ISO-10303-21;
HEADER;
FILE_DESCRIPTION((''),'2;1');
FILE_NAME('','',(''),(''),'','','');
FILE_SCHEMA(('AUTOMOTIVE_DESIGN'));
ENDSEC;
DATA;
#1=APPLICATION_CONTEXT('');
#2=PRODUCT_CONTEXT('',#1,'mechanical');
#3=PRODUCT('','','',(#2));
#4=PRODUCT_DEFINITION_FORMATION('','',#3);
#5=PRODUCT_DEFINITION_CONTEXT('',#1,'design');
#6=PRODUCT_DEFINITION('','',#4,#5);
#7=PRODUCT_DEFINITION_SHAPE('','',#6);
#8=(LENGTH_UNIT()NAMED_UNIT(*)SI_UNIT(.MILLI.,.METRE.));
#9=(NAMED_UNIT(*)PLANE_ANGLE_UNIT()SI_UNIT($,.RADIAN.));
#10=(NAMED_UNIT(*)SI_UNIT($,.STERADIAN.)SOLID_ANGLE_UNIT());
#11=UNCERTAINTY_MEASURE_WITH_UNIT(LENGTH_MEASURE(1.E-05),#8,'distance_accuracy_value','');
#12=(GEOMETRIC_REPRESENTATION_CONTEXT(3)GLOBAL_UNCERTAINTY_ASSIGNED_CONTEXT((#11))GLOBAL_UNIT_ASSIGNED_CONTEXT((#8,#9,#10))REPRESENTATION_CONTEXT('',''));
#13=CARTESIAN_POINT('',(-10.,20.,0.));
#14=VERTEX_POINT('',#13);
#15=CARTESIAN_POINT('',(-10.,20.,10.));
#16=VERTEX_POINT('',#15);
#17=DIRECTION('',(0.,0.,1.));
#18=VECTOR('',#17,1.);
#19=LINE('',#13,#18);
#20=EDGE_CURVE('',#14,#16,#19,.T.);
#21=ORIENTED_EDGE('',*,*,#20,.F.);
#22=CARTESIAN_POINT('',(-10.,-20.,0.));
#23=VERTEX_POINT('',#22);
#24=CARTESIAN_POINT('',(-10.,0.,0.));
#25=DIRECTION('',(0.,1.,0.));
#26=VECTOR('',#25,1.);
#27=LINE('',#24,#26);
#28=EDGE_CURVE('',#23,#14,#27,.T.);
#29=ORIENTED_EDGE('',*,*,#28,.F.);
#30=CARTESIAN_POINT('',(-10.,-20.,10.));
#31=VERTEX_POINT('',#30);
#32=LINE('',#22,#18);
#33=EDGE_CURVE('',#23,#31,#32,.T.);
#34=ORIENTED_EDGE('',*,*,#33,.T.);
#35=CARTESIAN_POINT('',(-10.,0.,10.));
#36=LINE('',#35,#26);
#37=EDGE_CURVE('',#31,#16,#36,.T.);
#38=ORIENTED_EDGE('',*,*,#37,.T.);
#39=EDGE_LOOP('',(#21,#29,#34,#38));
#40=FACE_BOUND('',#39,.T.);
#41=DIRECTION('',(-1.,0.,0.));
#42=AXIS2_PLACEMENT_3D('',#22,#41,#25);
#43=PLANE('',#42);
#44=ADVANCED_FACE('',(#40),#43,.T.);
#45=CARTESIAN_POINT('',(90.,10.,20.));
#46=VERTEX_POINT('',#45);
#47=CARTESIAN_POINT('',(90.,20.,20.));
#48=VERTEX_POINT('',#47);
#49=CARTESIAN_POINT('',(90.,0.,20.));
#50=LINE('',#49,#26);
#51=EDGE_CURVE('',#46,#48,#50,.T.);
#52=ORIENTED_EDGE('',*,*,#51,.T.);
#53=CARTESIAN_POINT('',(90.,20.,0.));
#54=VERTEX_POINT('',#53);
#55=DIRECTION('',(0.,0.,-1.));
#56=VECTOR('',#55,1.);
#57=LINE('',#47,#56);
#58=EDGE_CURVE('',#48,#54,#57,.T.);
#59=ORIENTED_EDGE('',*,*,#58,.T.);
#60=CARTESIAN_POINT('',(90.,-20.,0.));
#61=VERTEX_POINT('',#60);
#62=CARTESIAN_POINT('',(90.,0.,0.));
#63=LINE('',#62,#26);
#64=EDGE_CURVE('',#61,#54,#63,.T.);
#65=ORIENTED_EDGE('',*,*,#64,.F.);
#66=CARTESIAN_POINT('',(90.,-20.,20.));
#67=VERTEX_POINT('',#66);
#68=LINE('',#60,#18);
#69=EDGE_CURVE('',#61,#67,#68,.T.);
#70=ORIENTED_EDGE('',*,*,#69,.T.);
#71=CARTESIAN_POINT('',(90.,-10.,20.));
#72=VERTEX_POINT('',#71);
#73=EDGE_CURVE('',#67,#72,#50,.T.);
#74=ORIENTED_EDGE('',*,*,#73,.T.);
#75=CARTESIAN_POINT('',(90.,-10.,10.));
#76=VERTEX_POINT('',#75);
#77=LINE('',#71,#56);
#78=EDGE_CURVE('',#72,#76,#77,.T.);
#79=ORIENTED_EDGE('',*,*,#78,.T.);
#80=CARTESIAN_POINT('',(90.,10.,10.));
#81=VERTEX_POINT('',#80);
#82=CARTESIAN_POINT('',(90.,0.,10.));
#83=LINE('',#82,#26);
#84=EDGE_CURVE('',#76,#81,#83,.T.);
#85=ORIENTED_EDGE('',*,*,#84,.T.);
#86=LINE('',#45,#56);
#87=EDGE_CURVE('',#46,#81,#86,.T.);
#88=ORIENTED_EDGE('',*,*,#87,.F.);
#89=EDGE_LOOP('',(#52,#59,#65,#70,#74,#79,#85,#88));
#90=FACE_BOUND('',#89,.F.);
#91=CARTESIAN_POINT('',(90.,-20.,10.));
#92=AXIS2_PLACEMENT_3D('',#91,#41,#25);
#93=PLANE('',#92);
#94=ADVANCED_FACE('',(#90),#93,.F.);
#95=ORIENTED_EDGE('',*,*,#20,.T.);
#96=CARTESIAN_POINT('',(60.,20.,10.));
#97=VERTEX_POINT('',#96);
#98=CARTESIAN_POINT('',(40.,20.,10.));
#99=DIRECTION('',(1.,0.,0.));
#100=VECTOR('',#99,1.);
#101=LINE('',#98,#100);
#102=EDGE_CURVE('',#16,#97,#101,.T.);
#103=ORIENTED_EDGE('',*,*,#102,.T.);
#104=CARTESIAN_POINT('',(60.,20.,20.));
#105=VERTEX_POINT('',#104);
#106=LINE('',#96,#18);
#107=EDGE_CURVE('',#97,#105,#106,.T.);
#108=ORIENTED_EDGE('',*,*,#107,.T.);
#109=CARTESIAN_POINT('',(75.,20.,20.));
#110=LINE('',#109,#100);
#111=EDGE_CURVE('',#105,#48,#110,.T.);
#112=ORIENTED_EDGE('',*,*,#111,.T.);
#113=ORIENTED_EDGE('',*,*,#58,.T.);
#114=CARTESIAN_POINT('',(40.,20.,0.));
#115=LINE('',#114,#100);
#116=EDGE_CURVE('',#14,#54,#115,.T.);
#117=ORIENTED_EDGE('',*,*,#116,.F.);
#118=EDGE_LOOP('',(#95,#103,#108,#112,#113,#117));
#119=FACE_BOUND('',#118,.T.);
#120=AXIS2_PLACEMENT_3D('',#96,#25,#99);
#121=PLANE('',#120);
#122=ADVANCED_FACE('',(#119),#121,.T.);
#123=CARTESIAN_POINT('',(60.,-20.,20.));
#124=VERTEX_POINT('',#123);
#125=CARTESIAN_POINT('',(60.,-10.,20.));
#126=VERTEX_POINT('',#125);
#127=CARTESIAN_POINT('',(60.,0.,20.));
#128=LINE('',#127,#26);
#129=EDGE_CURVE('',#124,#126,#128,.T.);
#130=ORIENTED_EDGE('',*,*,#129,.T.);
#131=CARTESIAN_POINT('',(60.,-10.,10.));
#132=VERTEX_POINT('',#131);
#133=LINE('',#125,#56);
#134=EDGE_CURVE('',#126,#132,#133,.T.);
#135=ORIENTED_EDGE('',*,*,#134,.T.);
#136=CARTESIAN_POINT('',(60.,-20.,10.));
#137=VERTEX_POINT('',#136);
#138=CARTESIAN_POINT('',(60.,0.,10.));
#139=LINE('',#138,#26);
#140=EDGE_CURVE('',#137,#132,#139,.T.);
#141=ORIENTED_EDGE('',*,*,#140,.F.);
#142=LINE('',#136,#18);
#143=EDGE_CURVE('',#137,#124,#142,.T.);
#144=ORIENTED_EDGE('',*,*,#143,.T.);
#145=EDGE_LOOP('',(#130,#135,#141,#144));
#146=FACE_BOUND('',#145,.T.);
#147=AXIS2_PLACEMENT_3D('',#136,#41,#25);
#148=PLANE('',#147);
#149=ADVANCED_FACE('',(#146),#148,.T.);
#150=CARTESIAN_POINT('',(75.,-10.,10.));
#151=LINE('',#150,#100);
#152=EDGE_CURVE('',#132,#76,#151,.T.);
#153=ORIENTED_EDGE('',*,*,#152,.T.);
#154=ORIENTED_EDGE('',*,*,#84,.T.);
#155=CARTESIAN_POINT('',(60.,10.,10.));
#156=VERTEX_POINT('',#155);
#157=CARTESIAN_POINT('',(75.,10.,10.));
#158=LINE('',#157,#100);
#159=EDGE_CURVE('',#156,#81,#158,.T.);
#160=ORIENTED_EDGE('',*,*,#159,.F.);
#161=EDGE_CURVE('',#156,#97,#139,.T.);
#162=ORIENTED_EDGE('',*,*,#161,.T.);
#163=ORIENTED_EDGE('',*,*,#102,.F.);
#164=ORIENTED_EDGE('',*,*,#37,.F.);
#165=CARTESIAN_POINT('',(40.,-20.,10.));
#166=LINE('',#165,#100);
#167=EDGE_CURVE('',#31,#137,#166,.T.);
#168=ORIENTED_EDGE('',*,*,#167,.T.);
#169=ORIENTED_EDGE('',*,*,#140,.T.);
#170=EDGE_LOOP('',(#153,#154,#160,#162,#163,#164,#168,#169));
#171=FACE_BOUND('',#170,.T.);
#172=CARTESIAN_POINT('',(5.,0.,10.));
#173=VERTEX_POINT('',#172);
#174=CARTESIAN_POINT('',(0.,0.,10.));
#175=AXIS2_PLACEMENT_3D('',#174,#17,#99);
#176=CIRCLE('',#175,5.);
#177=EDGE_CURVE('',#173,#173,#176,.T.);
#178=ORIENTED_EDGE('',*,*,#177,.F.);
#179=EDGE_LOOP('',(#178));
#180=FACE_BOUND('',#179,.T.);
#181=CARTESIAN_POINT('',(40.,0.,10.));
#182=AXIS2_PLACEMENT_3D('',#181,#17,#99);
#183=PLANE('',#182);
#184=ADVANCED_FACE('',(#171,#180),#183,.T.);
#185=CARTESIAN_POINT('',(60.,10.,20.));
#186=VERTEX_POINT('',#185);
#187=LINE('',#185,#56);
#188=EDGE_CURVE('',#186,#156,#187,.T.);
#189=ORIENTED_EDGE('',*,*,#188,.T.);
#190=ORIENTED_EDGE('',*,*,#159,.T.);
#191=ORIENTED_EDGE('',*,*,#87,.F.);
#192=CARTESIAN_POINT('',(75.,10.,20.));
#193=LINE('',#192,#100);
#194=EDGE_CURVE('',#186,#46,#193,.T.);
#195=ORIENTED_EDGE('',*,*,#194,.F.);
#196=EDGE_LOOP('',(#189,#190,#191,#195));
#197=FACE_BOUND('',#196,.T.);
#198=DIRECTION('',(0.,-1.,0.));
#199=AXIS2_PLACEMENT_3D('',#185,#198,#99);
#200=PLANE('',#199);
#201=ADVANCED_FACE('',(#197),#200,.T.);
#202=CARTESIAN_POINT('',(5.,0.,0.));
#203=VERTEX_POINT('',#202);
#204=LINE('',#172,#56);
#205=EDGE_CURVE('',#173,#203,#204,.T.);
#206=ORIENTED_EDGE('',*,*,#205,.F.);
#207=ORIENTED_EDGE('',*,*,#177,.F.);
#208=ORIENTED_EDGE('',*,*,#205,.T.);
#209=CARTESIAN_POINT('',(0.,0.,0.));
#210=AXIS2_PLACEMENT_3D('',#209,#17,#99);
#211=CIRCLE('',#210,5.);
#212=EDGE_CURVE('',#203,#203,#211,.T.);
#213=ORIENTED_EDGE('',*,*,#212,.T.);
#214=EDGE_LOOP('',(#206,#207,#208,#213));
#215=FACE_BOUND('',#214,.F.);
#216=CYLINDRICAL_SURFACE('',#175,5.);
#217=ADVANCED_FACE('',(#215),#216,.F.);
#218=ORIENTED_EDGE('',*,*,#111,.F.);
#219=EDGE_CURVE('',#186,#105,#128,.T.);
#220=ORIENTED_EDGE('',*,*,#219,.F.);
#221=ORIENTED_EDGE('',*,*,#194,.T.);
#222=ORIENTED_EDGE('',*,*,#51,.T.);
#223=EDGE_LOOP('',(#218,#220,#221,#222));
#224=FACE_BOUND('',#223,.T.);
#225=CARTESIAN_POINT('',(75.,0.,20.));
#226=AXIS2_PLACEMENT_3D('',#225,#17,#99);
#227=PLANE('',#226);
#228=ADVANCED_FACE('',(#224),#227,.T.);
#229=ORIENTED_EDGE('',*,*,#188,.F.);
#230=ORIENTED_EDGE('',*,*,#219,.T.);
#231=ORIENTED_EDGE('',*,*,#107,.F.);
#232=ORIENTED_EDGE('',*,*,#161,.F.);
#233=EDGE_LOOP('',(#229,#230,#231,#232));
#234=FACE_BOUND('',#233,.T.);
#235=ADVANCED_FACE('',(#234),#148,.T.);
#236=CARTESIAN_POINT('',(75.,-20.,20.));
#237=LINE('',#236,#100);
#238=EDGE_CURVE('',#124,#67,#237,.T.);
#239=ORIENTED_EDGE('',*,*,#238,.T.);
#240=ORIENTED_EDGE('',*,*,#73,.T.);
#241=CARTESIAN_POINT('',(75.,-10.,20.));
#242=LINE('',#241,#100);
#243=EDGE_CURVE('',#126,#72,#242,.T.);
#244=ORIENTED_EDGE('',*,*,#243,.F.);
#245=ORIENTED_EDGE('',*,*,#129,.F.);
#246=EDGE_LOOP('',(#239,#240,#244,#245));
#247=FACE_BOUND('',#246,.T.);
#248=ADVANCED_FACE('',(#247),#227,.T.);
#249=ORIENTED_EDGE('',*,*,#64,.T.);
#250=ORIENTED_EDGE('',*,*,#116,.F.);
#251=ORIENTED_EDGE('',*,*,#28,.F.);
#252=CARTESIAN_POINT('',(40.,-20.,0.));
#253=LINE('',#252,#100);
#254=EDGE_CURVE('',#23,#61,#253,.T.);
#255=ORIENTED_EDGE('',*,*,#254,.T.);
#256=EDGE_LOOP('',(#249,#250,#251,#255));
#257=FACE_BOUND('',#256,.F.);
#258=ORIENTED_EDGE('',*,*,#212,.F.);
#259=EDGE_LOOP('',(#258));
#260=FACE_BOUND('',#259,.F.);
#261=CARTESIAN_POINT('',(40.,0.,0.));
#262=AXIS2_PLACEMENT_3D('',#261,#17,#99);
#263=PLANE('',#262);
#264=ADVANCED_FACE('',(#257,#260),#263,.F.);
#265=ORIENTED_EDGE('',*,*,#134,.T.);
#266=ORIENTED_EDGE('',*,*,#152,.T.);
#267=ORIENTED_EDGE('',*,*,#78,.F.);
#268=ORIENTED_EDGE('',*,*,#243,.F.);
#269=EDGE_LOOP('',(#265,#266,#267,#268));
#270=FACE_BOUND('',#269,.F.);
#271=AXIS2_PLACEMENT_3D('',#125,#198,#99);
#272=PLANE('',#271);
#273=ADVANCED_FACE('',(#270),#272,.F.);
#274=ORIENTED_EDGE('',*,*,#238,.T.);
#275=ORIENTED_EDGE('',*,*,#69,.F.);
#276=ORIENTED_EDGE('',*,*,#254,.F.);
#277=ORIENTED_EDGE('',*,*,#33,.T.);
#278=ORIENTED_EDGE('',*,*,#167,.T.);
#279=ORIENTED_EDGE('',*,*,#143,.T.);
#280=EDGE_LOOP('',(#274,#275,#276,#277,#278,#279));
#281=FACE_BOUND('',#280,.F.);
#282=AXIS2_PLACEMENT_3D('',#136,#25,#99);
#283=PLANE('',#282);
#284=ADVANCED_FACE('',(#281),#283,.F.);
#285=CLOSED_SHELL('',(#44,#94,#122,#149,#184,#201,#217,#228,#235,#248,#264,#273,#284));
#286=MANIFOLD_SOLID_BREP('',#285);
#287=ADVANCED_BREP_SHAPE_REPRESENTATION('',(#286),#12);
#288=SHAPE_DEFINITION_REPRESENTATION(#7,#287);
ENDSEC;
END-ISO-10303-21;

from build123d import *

# Parameters (mm, degrees)
F0_W     = 100
F0_H     = 40
F1_DEPTH = 10
F2_R     = 5
F3_DEPTH = 10
F4_W     = 30
F4_H     = 40
F5_DEPTH = 10
F6_W     = 30
F6_H     = 20
F7_DEPTH = 10


with BuildPart() as f1:
    # F0 (on Top) → F1 (new body)
    with BuildSketch(Plane.XY):
        with Locations((40, 0)):
            Rectangle(F0_W, F0_H)
    extrude(amount=F1_DEPTH)

    # F2 (on face) → F3 (cut, through all)
    with BuildSketch(Plane.XY.offset(10)):
        Circle(F2_R)
    extrude(amount=-F3_DEPTH, mode=Mode.SUBTRACT)

    # F4 (on face) → F5 (join)
    with BuildSketch(Plane.XY.offset(10)):
        with Locations((75, 0)):
            Rectangle(F4_W, F4_H)
    extrude(amount=F5_DEPTH)

    # F6 (on face) → F7 (cut)
    with BuildSketch(Plane.XY.offset(20)):
        with Locations((75, 0)):
            Rectangle(F6_W, F6_H)
    extrude(amount=-F7_DEPTH, mode=Mode.SUBTRACT)


solid = f1.part
